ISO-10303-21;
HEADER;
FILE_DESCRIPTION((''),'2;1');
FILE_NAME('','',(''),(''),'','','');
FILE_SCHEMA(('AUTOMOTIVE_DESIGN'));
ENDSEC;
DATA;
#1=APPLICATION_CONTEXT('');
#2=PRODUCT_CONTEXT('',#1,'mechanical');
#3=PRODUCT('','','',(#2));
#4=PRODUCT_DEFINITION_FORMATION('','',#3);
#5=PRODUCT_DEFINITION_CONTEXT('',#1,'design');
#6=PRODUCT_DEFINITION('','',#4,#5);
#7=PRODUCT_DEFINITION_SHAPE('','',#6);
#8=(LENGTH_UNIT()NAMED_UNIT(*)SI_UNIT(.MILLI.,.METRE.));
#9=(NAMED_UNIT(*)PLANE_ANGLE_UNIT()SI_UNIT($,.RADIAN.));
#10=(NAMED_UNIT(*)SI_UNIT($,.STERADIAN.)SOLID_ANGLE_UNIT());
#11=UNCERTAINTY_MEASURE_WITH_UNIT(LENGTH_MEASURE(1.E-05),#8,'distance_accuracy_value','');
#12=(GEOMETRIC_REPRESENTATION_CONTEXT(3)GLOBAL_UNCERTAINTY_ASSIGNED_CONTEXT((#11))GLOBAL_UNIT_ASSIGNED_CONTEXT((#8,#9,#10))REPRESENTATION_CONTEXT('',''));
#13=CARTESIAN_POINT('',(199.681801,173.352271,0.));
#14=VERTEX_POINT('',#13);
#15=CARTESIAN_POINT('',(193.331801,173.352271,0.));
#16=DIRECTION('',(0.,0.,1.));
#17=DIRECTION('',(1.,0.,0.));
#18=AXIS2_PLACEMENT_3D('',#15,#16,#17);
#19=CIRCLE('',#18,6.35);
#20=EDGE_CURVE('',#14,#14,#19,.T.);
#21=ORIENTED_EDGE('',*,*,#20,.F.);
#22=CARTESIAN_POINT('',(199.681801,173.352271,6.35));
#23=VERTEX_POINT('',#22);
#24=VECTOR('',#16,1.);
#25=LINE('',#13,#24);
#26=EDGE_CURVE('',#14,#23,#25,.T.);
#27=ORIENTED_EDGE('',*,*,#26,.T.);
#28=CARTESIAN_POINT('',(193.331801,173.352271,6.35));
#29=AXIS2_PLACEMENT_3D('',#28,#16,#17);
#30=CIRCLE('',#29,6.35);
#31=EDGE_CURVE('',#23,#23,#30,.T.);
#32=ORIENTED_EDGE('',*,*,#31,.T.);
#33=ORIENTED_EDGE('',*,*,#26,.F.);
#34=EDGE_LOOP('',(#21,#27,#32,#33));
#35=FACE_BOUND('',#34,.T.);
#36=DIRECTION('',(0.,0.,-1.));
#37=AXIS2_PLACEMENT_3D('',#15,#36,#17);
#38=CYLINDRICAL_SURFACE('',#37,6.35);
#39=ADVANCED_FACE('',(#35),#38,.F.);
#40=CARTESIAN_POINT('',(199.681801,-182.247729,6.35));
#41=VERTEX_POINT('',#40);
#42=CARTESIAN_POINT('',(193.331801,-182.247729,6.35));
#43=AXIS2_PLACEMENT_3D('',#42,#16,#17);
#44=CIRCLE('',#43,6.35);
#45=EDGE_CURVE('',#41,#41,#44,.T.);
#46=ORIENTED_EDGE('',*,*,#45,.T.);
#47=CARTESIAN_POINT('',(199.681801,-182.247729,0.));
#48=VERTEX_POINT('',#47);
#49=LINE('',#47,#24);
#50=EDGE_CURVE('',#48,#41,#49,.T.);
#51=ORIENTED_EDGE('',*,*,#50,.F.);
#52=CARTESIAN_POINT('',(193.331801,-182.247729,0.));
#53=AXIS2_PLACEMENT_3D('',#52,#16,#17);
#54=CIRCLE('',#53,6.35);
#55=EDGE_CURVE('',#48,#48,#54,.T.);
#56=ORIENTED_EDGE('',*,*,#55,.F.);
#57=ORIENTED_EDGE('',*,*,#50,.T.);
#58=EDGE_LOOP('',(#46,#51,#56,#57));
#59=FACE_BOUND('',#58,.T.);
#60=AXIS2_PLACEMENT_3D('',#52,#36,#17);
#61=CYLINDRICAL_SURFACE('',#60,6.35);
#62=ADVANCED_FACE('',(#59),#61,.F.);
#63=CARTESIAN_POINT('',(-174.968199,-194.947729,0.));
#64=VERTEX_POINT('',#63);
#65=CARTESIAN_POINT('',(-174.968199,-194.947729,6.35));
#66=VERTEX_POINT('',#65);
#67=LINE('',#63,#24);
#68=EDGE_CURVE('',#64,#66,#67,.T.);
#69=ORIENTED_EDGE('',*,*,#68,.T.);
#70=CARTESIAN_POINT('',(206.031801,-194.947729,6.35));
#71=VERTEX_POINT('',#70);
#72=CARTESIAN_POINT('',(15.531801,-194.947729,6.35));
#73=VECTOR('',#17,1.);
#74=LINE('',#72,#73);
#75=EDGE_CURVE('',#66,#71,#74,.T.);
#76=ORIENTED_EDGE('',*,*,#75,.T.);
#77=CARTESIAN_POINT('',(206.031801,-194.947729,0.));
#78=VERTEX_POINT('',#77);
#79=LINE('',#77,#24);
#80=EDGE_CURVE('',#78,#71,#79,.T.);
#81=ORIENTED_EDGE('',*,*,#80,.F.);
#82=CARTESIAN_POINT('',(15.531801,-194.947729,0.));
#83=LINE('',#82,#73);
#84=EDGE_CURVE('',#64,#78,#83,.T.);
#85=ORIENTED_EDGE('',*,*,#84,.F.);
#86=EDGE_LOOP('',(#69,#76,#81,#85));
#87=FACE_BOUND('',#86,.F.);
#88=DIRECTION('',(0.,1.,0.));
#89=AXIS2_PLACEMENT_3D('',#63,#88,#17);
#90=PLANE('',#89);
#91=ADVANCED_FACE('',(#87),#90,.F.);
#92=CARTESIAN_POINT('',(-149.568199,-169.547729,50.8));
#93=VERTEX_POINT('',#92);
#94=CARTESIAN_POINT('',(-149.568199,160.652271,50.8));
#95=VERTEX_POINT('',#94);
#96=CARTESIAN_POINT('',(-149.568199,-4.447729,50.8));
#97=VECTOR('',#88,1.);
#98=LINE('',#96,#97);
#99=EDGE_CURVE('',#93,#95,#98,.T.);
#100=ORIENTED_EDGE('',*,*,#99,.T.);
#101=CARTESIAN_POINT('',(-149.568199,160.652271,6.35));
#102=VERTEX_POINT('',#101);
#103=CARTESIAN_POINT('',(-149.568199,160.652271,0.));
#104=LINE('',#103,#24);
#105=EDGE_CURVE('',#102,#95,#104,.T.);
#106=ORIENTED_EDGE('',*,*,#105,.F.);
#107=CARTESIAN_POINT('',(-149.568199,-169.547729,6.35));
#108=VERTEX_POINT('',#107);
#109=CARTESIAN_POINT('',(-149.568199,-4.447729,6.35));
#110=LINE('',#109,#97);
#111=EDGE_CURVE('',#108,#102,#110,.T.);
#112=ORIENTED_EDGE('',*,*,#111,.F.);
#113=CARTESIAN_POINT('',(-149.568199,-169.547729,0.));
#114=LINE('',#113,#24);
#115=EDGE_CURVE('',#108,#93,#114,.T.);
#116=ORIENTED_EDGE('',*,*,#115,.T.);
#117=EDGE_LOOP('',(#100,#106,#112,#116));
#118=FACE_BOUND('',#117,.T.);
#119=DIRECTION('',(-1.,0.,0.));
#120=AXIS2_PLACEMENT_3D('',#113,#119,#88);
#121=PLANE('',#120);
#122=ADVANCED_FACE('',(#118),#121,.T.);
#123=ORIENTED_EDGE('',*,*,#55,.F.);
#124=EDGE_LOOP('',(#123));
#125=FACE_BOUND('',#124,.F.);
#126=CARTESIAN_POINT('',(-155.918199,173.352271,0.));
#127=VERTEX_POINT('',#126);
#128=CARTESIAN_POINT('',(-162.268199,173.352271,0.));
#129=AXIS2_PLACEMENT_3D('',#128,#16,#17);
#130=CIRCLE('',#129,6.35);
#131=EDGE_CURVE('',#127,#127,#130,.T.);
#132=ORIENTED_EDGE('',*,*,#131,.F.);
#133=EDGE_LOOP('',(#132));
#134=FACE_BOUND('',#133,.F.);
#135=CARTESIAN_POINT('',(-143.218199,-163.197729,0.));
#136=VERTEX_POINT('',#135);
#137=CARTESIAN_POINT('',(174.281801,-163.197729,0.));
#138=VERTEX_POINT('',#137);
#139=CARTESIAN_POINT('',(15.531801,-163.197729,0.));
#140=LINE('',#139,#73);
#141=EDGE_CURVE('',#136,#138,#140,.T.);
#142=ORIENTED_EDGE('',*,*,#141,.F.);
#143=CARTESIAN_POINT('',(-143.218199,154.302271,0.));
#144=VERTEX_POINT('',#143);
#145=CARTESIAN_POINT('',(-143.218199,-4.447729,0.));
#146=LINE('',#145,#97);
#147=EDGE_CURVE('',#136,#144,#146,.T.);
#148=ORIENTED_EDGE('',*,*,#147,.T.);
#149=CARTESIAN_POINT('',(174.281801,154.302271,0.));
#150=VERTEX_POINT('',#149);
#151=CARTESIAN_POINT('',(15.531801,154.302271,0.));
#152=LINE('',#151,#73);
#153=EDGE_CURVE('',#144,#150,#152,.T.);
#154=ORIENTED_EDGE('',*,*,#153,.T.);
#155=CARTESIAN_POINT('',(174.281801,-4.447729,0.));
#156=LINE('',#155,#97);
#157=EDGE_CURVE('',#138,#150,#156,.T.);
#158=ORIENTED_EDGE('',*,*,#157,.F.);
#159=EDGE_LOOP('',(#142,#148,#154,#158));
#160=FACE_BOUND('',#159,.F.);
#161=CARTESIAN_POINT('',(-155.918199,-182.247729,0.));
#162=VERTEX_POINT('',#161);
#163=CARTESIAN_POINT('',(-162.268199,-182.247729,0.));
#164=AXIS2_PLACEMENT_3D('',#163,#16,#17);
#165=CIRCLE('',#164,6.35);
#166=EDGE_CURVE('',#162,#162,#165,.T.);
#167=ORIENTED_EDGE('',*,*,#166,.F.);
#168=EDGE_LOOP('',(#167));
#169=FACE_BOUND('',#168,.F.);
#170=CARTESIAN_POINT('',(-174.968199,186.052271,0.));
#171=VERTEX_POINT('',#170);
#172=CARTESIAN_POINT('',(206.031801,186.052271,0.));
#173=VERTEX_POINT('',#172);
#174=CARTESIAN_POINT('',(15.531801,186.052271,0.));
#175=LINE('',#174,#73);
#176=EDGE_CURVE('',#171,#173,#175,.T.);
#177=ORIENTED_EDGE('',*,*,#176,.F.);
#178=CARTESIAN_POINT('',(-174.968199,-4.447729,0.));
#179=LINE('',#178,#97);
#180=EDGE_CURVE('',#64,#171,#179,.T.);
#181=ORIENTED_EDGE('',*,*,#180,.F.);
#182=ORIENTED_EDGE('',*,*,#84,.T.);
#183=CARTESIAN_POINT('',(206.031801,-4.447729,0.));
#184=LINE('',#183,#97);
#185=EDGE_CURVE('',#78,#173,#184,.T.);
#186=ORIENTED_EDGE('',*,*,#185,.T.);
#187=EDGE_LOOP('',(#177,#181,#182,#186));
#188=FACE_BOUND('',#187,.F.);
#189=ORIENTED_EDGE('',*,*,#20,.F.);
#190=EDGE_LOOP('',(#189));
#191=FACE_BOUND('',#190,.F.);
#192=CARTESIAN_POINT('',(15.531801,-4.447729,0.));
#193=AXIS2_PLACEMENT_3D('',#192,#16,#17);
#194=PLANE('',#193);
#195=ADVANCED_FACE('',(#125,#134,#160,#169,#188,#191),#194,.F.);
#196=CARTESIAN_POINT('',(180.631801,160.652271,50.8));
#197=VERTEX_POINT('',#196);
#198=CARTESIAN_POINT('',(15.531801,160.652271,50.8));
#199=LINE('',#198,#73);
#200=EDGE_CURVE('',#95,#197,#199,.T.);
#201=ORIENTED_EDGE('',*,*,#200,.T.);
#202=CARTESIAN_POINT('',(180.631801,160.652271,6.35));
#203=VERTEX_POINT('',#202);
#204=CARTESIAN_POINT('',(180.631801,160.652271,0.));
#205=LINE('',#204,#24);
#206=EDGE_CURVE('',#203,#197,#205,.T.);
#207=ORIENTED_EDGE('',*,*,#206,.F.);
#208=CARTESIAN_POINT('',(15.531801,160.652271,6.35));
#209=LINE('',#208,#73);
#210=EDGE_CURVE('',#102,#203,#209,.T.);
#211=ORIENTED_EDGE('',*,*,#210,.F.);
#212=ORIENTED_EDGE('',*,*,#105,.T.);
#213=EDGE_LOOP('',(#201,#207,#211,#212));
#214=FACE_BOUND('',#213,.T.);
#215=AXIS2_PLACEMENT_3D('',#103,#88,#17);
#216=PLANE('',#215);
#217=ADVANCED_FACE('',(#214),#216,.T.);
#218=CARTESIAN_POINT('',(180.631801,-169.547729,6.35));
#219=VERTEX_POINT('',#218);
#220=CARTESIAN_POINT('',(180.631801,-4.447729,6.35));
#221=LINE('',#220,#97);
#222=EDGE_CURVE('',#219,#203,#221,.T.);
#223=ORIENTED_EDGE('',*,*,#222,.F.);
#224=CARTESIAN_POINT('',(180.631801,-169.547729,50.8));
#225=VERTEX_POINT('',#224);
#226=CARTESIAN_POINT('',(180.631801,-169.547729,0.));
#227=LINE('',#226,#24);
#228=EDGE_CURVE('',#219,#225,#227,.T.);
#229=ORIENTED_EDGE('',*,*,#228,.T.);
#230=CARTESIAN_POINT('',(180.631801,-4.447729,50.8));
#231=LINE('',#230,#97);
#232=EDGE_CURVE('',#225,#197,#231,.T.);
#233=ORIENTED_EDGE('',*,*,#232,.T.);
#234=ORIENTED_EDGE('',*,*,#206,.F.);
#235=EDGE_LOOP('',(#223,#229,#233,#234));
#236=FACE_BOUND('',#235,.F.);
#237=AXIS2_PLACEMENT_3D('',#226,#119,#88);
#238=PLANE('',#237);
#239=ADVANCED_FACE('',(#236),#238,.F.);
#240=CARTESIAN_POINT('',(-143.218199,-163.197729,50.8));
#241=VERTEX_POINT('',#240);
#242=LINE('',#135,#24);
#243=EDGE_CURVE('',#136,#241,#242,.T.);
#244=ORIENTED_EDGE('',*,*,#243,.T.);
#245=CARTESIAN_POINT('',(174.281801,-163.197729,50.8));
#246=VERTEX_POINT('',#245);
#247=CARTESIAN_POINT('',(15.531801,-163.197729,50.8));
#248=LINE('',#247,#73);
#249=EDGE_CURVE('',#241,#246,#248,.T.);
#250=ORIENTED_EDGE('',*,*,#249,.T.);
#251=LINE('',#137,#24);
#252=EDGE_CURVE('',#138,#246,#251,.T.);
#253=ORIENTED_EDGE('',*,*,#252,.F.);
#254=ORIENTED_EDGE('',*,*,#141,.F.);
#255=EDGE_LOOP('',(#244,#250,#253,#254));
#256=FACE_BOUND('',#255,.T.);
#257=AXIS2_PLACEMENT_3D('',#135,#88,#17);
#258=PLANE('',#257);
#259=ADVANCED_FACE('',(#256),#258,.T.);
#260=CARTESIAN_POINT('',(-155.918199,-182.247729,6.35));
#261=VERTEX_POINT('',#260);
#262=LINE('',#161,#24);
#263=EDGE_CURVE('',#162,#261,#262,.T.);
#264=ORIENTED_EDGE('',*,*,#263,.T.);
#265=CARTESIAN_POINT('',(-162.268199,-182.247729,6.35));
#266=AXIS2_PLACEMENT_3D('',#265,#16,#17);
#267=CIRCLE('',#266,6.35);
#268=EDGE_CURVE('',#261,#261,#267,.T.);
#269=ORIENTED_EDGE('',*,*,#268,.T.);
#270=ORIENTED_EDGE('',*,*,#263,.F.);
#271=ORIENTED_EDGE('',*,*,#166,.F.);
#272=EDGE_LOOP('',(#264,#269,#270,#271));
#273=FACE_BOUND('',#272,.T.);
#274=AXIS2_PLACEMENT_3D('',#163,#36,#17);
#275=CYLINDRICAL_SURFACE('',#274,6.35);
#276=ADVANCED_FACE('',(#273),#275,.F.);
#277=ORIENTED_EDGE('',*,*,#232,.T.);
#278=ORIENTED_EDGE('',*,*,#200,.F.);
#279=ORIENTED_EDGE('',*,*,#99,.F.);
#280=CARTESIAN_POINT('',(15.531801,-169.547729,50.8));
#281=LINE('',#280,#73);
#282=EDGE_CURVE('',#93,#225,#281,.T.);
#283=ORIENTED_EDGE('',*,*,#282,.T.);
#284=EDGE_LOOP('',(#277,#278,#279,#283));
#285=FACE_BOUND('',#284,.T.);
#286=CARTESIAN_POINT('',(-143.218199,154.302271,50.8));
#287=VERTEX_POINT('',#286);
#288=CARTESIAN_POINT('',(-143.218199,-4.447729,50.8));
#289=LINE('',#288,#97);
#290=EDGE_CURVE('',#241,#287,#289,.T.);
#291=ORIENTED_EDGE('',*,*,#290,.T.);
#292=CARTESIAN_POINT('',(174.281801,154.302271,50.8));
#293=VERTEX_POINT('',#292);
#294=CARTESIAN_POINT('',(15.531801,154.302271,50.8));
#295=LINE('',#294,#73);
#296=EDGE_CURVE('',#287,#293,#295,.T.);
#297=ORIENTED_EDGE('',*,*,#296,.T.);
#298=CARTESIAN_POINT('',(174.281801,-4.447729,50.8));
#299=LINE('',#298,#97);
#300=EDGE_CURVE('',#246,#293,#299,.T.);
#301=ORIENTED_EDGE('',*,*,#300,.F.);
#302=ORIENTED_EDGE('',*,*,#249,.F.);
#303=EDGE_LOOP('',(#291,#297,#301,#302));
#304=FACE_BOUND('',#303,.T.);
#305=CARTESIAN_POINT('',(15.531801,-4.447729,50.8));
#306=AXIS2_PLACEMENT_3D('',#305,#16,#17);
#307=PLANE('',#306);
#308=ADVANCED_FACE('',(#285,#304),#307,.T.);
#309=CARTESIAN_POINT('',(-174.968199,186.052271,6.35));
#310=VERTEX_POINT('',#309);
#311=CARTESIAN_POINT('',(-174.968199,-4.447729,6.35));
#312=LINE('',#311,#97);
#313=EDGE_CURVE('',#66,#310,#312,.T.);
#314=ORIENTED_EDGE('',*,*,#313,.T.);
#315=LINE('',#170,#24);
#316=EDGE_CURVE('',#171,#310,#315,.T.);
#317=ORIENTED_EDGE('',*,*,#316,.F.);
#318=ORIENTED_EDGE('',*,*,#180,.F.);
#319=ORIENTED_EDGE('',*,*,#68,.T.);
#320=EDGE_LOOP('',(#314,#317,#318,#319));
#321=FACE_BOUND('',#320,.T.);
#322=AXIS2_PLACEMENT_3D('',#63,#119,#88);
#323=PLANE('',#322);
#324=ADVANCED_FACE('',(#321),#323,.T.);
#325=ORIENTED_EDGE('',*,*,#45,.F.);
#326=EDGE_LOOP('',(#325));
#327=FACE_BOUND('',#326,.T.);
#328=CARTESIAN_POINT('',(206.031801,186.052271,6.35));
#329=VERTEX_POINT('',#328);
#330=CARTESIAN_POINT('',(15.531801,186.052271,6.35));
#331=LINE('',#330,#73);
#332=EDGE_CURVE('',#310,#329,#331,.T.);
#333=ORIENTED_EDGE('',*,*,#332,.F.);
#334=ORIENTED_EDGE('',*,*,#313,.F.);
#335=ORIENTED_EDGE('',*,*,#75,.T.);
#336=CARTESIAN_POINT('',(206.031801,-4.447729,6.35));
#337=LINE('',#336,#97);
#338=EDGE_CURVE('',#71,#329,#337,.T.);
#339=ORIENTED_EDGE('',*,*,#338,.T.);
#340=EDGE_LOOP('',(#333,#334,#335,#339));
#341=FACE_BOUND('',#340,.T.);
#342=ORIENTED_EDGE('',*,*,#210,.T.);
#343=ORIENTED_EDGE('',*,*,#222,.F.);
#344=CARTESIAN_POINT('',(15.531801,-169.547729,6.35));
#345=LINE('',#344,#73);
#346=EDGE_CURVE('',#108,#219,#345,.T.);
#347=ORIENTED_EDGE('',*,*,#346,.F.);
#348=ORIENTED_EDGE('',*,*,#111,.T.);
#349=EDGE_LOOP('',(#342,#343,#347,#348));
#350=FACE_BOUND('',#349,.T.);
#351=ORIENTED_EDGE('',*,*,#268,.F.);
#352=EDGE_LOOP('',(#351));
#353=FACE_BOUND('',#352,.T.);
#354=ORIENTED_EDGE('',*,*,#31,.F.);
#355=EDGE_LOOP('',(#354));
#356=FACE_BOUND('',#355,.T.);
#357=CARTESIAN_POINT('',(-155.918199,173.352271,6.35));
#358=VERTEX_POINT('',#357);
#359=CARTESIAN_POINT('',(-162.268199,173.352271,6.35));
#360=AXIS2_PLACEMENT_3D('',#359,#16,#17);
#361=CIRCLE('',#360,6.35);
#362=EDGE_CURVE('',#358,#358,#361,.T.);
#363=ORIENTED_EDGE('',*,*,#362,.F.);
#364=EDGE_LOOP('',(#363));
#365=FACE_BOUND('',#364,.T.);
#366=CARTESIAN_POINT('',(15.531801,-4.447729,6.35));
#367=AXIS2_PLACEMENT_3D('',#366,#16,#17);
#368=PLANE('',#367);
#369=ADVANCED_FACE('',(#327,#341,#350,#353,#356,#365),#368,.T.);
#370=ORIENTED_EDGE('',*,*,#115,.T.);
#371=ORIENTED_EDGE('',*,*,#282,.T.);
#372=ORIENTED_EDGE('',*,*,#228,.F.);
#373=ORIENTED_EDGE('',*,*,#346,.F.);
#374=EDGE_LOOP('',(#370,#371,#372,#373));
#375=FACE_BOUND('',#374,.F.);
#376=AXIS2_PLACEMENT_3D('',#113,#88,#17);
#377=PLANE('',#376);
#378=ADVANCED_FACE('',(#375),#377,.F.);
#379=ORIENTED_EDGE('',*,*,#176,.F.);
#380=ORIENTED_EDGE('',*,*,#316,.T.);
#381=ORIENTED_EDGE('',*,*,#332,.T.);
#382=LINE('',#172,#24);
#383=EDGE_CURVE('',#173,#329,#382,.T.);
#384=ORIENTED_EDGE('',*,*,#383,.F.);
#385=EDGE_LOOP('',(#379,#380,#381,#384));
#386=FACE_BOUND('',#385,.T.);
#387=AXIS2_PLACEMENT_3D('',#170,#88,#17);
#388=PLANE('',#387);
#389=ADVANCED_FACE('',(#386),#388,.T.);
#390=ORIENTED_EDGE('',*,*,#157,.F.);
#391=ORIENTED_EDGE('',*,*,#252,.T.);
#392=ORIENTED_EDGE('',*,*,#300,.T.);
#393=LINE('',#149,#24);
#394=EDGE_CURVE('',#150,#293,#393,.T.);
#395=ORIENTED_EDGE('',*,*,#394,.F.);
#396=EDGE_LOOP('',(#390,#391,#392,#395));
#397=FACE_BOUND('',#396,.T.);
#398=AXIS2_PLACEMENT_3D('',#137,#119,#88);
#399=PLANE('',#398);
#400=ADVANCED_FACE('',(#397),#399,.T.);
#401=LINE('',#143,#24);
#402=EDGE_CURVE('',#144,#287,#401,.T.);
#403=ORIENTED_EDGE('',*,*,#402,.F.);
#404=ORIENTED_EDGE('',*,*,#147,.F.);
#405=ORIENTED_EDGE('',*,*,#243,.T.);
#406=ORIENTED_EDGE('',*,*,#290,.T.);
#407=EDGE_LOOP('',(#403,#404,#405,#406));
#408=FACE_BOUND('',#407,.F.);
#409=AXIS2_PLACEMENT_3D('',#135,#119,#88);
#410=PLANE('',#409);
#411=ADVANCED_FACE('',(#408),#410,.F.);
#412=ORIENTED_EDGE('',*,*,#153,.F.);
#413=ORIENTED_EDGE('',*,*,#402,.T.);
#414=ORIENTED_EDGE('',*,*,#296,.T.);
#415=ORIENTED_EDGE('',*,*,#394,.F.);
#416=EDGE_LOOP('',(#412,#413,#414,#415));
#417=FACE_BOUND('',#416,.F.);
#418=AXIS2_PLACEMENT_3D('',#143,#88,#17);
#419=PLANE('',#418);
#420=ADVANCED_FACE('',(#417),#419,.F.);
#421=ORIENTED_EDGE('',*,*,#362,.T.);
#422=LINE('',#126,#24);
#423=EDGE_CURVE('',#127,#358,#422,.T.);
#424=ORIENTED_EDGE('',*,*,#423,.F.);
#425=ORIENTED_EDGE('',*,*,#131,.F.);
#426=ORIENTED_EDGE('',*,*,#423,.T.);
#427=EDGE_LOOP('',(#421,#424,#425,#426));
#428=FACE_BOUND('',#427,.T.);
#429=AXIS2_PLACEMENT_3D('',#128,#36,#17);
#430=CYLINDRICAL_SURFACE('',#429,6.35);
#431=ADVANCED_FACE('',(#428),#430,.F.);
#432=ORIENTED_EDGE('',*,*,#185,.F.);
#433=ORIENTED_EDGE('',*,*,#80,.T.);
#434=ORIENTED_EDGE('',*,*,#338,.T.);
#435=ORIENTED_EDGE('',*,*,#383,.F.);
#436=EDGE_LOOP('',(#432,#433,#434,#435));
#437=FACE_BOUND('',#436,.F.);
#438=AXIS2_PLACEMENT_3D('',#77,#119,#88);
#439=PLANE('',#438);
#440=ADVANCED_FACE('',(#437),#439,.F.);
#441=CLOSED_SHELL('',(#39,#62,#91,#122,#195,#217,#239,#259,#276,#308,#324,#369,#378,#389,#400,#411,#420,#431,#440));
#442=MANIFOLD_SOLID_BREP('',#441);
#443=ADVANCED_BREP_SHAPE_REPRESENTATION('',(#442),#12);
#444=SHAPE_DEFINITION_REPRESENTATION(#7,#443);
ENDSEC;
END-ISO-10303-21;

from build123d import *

# Parameters (mm, degrees)
F0_W     = 381
F0_H     = 381
F0_R     = 6.35
F0_W_2   = 330.2
F0_H_2   = 330.2
F1_DEPTH = 6.35
F0_W_3   = 317.5
F0_H_3   = 317.5
F2_DEPTH = 50.8


with BuildPart() as f1:
    # F0 (on Top) → F1 (new body)
    with BuildSketch(Plane.XY):
        with Locations((15.531801, -4.447729)):
            Rectangle(F0_W, F0_H)
        with Locations((-162.268199, -182.247729)):
            Circle(F0_R, mode=Mode.SUBTRACT)
        with Locations((193.331801, -182.247729)):
            Circle(F0_R, mode=Mode.SUBTRACT)
        with Locations((-162.268199, 173.352271)):
            Circle(F0_R, mode=Mode.SUBTRACT)
        with Locations((15.531801, -4.447729)):
            Rectangle(F0_W_2, F0_H_2, mode=Mode.SUBTRACT)
        with Locations((193.331801, 173.352271)):
            Circle(F0_R, mode=Mode.SUBTRACT)
    extrude(amount=F1_DEPTH)

    # F0 (on Top) → F2 (join)
    with BuildSketch(Plane.XY):
        with Locations((15.531801, -4.447729)):
            Rectangle(F0_W_2, F0_H_2)
        with Locations((15.531801, -4.447729)):
            Rectangle(F0_W_3, F0_H_3, mode=Mode.SUBTRACT)
    extrude(amount=F2_DEPTH)


solid = f1.part
